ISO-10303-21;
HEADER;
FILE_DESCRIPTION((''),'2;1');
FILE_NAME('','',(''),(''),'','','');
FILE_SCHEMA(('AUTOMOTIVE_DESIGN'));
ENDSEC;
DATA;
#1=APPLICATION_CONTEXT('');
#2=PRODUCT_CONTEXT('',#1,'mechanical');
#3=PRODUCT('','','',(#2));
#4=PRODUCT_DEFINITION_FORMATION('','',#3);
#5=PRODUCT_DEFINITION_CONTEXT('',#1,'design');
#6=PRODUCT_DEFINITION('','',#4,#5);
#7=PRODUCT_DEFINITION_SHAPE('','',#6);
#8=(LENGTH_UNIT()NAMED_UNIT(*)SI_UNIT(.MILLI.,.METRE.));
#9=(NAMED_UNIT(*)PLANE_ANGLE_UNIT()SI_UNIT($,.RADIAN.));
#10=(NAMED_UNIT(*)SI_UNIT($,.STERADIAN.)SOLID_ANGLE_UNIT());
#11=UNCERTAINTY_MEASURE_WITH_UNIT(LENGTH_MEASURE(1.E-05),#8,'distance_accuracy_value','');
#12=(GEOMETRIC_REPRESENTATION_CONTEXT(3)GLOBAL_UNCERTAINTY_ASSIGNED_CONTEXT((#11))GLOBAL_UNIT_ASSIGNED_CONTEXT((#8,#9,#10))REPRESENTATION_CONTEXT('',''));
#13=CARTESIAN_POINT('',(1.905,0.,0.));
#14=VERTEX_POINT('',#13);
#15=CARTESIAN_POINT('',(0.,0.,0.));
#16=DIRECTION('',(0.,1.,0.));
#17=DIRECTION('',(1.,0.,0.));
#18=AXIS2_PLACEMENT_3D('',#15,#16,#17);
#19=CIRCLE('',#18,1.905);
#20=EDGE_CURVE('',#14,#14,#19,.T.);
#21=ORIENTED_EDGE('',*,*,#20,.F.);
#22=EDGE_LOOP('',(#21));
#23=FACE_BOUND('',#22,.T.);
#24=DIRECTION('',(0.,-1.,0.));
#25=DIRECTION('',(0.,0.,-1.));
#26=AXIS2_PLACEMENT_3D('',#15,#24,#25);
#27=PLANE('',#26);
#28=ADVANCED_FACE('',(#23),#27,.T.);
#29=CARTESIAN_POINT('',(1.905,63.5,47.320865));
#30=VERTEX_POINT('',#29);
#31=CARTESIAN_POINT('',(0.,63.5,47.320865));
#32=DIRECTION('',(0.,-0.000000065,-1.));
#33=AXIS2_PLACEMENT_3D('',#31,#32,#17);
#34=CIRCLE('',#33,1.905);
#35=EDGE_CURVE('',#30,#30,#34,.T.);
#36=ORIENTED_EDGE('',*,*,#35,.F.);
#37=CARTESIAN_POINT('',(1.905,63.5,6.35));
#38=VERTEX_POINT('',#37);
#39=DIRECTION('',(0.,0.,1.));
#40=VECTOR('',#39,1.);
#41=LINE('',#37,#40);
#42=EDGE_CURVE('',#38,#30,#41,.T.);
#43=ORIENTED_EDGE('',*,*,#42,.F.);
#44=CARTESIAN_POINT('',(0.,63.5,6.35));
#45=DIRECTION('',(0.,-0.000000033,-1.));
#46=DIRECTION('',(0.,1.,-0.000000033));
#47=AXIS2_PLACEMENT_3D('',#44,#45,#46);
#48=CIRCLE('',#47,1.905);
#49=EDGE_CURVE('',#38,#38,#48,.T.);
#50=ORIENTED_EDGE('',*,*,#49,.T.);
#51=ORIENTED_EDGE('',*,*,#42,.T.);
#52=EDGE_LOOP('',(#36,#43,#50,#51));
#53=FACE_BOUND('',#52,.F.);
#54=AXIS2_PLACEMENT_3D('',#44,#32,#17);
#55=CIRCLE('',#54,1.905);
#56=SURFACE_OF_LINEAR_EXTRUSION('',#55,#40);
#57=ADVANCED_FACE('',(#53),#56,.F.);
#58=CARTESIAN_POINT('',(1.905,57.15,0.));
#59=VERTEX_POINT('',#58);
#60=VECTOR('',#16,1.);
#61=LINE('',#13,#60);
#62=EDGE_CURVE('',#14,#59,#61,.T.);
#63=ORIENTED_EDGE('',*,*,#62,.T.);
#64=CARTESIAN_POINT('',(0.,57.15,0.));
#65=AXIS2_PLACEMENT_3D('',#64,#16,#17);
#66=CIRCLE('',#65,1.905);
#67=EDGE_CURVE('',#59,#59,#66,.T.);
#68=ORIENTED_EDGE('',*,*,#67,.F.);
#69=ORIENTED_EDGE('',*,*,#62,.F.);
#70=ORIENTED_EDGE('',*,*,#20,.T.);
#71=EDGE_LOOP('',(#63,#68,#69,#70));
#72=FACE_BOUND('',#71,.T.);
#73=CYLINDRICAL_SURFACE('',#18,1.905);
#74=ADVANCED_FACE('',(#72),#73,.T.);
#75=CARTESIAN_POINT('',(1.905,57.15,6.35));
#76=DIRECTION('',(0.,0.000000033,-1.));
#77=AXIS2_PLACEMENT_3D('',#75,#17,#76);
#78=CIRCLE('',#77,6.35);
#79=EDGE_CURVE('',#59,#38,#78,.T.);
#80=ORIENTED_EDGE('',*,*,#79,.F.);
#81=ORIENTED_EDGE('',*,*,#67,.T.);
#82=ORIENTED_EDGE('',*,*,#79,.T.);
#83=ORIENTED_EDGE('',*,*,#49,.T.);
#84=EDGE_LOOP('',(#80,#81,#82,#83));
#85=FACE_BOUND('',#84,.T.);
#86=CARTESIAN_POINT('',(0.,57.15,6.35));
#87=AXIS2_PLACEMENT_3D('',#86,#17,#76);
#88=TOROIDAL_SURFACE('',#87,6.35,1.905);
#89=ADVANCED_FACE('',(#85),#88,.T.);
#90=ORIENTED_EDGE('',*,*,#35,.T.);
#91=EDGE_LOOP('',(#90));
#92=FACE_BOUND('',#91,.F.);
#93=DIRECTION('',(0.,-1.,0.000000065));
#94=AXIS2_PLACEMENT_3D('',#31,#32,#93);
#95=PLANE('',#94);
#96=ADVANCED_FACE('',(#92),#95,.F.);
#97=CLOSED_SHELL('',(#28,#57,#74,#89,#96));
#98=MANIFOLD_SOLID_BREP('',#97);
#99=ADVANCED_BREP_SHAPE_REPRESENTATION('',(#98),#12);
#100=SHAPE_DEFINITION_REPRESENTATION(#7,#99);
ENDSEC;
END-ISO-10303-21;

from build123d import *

# Parameters (mm, degrees)
F0_R = 1.905


with BuildPart() as f2:
    # F2: sweep along a path in F1
    with BuildLine(Plane.YZ) as f2_path:
        Line((0, 0), (57.15, 0))
        ThreePointArc((57.15, 0), (61.640128, 1.859872), (63.5, 6.35))
        Line((63.5, 6.35), (63.5, 47.320865))
    # F0 (on Front) → F2 (sweep)
    with BuildSketch(Plane.XZ):
        Circle(F0_R)
    sweep(path=f2_path.line)


solid = f2.part
